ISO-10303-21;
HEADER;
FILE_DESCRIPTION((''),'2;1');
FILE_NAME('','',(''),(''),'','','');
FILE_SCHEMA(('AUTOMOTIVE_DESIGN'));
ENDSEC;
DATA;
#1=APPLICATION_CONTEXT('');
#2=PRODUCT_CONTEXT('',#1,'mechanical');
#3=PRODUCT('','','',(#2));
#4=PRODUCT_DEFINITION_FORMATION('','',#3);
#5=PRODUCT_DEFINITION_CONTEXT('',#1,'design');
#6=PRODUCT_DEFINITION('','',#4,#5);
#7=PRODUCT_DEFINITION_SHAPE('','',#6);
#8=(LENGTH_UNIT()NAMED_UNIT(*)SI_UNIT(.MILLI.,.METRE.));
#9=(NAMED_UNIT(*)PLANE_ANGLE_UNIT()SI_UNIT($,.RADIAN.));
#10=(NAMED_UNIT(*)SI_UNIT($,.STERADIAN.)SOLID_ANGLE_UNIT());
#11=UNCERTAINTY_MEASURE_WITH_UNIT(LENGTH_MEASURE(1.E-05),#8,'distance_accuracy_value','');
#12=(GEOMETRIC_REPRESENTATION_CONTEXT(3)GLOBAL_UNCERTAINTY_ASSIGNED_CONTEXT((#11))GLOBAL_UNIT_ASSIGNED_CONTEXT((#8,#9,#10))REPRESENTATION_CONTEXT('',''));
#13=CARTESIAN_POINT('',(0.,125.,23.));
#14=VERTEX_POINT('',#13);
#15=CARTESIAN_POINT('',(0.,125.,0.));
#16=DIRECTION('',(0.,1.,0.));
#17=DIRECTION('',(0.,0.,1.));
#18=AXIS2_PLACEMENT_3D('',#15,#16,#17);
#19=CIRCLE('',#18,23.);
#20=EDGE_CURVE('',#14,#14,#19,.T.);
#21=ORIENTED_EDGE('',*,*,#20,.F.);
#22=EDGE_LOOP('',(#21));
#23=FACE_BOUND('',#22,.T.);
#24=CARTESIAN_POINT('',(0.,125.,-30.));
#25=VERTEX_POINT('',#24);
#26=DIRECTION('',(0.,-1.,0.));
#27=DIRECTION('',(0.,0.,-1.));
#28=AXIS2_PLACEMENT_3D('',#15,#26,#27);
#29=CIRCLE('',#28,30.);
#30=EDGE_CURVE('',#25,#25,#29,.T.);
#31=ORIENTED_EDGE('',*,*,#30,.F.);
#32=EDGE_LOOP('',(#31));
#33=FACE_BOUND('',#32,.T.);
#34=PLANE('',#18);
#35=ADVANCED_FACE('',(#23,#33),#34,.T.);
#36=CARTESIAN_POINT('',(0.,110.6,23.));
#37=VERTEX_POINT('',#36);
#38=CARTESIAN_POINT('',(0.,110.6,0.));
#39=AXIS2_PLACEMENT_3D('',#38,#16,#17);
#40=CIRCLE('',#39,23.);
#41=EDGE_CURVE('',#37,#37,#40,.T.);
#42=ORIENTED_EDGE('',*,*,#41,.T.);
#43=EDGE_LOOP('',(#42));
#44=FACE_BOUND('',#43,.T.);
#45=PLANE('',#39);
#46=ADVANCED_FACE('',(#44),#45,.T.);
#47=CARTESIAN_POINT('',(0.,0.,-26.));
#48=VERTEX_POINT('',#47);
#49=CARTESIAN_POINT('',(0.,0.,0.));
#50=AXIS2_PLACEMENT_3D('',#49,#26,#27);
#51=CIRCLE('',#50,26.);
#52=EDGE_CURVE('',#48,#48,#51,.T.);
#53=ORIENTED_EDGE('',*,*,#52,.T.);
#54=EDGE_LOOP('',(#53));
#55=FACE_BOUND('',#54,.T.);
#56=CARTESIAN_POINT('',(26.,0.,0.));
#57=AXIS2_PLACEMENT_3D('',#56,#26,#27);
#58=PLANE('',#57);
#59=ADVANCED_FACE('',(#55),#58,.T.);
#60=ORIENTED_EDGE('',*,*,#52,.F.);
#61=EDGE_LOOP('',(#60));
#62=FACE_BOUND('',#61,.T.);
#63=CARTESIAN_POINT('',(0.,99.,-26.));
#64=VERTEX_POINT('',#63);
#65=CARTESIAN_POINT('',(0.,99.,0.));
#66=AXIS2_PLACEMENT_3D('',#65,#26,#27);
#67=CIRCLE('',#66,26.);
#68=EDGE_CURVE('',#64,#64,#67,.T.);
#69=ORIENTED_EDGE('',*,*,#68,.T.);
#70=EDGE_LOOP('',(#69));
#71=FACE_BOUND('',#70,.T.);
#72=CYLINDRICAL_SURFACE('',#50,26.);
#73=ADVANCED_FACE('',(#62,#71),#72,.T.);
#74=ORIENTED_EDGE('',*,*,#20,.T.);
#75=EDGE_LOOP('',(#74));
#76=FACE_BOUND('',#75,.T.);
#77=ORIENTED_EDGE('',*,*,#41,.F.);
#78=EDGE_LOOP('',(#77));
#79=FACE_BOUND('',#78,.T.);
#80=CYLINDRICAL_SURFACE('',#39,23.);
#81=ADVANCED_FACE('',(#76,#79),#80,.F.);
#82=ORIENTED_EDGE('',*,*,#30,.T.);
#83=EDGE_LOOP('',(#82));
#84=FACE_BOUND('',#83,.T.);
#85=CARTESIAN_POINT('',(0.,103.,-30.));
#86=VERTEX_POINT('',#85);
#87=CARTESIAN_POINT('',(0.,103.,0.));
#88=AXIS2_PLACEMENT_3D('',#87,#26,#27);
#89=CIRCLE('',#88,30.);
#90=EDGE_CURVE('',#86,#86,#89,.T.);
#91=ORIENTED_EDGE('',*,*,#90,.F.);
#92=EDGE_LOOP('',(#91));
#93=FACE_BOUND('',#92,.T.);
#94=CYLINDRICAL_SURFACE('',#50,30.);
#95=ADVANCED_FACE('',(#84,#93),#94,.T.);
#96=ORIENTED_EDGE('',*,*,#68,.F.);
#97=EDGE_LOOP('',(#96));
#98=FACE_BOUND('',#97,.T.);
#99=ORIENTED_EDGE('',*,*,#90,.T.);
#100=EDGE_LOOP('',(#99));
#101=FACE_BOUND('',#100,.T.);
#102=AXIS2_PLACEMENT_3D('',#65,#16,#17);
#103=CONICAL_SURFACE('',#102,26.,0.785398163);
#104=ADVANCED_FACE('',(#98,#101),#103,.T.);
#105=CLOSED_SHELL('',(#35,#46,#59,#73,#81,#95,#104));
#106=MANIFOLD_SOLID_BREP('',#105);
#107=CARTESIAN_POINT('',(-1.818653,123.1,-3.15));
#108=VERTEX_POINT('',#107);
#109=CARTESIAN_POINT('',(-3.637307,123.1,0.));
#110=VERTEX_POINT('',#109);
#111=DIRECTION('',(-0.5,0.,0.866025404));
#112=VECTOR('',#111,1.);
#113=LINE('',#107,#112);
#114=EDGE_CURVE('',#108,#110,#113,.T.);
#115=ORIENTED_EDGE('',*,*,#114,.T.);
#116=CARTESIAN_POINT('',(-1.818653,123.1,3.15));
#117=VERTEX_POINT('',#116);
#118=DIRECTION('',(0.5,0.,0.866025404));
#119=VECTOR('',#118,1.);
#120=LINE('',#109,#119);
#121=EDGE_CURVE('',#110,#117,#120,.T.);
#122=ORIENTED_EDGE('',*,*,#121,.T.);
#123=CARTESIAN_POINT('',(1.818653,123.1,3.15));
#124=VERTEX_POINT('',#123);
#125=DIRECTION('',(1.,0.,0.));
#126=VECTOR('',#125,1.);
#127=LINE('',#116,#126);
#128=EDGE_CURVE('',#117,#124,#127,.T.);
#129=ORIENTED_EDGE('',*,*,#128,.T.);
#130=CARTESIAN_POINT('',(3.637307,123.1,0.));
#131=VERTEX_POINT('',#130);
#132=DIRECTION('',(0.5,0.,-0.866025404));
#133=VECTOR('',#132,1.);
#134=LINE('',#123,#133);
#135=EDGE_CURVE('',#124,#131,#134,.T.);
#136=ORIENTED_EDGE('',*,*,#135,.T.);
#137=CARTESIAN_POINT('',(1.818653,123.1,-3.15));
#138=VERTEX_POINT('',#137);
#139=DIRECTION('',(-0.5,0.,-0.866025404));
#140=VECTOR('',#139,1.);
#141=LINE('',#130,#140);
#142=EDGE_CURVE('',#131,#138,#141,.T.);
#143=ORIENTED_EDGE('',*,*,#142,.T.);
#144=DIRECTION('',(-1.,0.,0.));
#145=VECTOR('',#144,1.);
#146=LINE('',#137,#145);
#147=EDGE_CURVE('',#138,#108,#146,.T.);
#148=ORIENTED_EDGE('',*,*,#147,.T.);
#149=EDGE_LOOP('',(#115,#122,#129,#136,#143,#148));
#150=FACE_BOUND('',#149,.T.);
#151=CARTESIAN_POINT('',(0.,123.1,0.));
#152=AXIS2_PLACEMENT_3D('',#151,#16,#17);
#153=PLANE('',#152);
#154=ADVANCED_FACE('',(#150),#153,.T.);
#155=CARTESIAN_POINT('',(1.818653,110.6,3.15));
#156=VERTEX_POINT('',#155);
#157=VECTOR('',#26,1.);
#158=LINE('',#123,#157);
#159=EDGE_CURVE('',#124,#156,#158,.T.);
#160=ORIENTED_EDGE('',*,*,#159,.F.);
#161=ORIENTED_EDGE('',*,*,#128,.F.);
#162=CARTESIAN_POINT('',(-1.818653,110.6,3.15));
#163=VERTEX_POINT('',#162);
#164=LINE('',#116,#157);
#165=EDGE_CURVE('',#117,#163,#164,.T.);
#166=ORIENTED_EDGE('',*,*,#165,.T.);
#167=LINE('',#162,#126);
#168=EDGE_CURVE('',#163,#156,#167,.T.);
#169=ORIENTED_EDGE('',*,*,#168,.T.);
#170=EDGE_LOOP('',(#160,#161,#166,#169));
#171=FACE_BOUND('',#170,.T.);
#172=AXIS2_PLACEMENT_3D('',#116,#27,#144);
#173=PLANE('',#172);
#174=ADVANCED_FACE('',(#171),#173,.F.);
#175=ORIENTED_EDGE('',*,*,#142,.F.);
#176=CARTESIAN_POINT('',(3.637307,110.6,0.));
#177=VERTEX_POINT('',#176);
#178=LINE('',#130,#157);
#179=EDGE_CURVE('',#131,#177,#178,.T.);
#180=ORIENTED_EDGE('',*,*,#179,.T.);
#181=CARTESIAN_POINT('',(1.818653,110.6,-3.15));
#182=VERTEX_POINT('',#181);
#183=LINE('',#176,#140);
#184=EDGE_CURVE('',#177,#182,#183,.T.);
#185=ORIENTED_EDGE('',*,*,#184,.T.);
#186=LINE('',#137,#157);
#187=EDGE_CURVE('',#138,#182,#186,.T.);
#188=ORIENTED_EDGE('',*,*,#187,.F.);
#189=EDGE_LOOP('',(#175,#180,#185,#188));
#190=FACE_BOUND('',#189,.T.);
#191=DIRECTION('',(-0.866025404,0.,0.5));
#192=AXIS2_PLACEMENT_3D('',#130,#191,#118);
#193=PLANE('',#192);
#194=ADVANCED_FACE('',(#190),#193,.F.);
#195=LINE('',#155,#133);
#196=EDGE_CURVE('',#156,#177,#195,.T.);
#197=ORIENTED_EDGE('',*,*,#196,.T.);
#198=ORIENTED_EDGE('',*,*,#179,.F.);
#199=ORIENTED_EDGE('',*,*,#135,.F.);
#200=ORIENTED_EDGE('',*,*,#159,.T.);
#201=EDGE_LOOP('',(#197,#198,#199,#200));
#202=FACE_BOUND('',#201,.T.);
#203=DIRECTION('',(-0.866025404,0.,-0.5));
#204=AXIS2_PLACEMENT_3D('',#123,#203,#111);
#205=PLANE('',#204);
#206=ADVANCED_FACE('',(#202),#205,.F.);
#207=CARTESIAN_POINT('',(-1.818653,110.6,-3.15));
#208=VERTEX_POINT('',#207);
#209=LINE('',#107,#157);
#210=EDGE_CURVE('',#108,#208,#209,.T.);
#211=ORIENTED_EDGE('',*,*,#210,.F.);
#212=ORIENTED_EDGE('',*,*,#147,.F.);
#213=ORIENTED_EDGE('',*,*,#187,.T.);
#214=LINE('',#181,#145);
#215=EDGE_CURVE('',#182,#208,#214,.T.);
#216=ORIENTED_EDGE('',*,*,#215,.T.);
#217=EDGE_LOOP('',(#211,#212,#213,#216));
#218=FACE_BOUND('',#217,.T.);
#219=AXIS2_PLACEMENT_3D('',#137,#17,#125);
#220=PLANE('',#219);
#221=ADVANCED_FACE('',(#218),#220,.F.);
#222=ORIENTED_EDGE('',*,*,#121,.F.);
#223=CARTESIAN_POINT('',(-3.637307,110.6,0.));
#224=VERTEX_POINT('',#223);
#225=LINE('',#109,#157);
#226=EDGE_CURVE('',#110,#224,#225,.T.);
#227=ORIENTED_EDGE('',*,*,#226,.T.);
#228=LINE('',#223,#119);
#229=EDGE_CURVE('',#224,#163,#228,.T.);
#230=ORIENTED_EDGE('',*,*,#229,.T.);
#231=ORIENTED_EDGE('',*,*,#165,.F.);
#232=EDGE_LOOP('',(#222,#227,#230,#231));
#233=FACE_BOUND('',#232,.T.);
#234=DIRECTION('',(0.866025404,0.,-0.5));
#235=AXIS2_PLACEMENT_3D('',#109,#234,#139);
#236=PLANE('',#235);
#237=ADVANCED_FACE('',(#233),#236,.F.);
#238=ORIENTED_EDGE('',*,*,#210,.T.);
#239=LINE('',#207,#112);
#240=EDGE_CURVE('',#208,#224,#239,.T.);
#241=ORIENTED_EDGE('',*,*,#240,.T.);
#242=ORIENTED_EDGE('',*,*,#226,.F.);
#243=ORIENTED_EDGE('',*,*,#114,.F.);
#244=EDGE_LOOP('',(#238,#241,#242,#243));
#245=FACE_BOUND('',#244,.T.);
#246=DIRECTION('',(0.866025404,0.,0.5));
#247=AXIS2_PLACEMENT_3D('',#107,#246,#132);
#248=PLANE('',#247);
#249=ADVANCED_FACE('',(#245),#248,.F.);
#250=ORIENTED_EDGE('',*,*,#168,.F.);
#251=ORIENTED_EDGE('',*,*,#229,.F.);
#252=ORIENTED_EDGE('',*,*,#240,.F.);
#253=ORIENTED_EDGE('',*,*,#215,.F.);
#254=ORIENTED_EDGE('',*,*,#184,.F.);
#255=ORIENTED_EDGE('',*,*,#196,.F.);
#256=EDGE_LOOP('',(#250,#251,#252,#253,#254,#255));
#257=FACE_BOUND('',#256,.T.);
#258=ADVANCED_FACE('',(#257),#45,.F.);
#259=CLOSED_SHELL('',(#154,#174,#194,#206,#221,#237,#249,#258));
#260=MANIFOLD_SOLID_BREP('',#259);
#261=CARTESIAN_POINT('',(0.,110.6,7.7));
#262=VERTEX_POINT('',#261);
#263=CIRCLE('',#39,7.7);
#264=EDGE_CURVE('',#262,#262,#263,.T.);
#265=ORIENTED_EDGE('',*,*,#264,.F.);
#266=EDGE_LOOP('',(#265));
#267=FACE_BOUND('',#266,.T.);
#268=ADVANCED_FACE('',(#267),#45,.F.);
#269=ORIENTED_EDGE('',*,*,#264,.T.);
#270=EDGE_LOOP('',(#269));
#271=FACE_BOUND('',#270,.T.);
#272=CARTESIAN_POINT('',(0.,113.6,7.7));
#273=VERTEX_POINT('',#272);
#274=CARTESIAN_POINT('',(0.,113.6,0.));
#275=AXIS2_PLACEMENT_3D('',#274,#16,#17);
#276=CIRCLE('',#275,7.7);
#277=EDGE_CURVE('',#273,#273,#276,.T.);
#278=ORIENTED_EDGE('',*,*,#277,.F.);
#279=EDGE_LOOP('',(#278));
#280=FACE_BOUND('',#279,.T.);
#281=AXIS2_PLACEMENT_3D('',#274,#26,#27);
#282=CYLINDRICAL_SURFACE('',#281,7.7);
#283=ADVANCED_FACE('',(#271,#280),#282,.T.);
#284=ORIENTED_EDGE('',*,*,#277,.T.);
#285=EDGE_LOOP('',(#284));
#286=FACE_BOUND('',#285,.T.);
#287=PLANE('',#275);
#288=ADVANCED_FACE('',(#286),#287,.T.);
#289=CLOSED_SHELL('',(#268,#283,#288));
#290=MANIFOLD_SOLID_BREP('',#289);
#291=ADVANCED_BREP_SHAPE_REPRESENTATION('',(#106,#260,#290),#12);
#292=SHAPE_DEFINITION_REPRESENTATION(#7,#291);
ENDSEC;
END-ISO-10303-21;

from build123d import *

# Parameters (mm, degrees)
SKETCH2_R           = 23
CUT_EXTRUDE1_DEPTH  = 14.4
BOSS_EXTRUDE1_DEPTH = 12.5
SKETCH4_R           = 7.7
BOSS_EXTRUDE2_DEPTH = 3


with BuildPart() as part:
    # Sketch1 → Revolve1 (revolve)
    with BuildSketch(Plane.XY):
        Polygon((0, 0), (0, 125), (30, 125), (30, 103), (26, 99), (26, 0), align=None)
    revolve(axis=Axis((0, 0, 0), (0, 1, 0)))

    # Sketch2 → Cut-Extrude1 (cut)
    with BuildSketch(Plane(origin=(0, 125, 0), x_dir=(1, 0, 0), z_dir=(0, 1, 0))):
        Circle(SKETCH2_R)
    extrude(amount=-CUT_EXTRUDE1_DEPTH, mode=Mode.SUBTRACT)


with BuildPart() as body_2:
    # Sketch3 → Boss-Extrude1 (new body)
    with BuildSketch(Plane(origin=(0, 110.6, 0), x_dir=(1, 0, 0), z_dir=(0, 1, 0))):
        Polygon((3.637306696, 0), (1.818653348, 3.15), (-1.818653348, 3.15), (-3.637306696, 0), (-1.818653348, -3.15), (1.818653348, -3.15), align=None)
    extrude(amount=BOSS_EXTRUDE1_DEPTH)


with BuildPart() as body_3:
    # Sketch4 → Boss-Extrude2 (new body)
    with BuildSketch(Plane(origin=(0, 110.6, 0), x_dir=(1, 0, 0), z_dir=(0, 1, 0))):
        Circle(SKETCH4_R)
    extrude(amount=BOSS_EXTRUDE2_DEPTH)


solid = Compound([part.part, body_2.part, body_3.part])
